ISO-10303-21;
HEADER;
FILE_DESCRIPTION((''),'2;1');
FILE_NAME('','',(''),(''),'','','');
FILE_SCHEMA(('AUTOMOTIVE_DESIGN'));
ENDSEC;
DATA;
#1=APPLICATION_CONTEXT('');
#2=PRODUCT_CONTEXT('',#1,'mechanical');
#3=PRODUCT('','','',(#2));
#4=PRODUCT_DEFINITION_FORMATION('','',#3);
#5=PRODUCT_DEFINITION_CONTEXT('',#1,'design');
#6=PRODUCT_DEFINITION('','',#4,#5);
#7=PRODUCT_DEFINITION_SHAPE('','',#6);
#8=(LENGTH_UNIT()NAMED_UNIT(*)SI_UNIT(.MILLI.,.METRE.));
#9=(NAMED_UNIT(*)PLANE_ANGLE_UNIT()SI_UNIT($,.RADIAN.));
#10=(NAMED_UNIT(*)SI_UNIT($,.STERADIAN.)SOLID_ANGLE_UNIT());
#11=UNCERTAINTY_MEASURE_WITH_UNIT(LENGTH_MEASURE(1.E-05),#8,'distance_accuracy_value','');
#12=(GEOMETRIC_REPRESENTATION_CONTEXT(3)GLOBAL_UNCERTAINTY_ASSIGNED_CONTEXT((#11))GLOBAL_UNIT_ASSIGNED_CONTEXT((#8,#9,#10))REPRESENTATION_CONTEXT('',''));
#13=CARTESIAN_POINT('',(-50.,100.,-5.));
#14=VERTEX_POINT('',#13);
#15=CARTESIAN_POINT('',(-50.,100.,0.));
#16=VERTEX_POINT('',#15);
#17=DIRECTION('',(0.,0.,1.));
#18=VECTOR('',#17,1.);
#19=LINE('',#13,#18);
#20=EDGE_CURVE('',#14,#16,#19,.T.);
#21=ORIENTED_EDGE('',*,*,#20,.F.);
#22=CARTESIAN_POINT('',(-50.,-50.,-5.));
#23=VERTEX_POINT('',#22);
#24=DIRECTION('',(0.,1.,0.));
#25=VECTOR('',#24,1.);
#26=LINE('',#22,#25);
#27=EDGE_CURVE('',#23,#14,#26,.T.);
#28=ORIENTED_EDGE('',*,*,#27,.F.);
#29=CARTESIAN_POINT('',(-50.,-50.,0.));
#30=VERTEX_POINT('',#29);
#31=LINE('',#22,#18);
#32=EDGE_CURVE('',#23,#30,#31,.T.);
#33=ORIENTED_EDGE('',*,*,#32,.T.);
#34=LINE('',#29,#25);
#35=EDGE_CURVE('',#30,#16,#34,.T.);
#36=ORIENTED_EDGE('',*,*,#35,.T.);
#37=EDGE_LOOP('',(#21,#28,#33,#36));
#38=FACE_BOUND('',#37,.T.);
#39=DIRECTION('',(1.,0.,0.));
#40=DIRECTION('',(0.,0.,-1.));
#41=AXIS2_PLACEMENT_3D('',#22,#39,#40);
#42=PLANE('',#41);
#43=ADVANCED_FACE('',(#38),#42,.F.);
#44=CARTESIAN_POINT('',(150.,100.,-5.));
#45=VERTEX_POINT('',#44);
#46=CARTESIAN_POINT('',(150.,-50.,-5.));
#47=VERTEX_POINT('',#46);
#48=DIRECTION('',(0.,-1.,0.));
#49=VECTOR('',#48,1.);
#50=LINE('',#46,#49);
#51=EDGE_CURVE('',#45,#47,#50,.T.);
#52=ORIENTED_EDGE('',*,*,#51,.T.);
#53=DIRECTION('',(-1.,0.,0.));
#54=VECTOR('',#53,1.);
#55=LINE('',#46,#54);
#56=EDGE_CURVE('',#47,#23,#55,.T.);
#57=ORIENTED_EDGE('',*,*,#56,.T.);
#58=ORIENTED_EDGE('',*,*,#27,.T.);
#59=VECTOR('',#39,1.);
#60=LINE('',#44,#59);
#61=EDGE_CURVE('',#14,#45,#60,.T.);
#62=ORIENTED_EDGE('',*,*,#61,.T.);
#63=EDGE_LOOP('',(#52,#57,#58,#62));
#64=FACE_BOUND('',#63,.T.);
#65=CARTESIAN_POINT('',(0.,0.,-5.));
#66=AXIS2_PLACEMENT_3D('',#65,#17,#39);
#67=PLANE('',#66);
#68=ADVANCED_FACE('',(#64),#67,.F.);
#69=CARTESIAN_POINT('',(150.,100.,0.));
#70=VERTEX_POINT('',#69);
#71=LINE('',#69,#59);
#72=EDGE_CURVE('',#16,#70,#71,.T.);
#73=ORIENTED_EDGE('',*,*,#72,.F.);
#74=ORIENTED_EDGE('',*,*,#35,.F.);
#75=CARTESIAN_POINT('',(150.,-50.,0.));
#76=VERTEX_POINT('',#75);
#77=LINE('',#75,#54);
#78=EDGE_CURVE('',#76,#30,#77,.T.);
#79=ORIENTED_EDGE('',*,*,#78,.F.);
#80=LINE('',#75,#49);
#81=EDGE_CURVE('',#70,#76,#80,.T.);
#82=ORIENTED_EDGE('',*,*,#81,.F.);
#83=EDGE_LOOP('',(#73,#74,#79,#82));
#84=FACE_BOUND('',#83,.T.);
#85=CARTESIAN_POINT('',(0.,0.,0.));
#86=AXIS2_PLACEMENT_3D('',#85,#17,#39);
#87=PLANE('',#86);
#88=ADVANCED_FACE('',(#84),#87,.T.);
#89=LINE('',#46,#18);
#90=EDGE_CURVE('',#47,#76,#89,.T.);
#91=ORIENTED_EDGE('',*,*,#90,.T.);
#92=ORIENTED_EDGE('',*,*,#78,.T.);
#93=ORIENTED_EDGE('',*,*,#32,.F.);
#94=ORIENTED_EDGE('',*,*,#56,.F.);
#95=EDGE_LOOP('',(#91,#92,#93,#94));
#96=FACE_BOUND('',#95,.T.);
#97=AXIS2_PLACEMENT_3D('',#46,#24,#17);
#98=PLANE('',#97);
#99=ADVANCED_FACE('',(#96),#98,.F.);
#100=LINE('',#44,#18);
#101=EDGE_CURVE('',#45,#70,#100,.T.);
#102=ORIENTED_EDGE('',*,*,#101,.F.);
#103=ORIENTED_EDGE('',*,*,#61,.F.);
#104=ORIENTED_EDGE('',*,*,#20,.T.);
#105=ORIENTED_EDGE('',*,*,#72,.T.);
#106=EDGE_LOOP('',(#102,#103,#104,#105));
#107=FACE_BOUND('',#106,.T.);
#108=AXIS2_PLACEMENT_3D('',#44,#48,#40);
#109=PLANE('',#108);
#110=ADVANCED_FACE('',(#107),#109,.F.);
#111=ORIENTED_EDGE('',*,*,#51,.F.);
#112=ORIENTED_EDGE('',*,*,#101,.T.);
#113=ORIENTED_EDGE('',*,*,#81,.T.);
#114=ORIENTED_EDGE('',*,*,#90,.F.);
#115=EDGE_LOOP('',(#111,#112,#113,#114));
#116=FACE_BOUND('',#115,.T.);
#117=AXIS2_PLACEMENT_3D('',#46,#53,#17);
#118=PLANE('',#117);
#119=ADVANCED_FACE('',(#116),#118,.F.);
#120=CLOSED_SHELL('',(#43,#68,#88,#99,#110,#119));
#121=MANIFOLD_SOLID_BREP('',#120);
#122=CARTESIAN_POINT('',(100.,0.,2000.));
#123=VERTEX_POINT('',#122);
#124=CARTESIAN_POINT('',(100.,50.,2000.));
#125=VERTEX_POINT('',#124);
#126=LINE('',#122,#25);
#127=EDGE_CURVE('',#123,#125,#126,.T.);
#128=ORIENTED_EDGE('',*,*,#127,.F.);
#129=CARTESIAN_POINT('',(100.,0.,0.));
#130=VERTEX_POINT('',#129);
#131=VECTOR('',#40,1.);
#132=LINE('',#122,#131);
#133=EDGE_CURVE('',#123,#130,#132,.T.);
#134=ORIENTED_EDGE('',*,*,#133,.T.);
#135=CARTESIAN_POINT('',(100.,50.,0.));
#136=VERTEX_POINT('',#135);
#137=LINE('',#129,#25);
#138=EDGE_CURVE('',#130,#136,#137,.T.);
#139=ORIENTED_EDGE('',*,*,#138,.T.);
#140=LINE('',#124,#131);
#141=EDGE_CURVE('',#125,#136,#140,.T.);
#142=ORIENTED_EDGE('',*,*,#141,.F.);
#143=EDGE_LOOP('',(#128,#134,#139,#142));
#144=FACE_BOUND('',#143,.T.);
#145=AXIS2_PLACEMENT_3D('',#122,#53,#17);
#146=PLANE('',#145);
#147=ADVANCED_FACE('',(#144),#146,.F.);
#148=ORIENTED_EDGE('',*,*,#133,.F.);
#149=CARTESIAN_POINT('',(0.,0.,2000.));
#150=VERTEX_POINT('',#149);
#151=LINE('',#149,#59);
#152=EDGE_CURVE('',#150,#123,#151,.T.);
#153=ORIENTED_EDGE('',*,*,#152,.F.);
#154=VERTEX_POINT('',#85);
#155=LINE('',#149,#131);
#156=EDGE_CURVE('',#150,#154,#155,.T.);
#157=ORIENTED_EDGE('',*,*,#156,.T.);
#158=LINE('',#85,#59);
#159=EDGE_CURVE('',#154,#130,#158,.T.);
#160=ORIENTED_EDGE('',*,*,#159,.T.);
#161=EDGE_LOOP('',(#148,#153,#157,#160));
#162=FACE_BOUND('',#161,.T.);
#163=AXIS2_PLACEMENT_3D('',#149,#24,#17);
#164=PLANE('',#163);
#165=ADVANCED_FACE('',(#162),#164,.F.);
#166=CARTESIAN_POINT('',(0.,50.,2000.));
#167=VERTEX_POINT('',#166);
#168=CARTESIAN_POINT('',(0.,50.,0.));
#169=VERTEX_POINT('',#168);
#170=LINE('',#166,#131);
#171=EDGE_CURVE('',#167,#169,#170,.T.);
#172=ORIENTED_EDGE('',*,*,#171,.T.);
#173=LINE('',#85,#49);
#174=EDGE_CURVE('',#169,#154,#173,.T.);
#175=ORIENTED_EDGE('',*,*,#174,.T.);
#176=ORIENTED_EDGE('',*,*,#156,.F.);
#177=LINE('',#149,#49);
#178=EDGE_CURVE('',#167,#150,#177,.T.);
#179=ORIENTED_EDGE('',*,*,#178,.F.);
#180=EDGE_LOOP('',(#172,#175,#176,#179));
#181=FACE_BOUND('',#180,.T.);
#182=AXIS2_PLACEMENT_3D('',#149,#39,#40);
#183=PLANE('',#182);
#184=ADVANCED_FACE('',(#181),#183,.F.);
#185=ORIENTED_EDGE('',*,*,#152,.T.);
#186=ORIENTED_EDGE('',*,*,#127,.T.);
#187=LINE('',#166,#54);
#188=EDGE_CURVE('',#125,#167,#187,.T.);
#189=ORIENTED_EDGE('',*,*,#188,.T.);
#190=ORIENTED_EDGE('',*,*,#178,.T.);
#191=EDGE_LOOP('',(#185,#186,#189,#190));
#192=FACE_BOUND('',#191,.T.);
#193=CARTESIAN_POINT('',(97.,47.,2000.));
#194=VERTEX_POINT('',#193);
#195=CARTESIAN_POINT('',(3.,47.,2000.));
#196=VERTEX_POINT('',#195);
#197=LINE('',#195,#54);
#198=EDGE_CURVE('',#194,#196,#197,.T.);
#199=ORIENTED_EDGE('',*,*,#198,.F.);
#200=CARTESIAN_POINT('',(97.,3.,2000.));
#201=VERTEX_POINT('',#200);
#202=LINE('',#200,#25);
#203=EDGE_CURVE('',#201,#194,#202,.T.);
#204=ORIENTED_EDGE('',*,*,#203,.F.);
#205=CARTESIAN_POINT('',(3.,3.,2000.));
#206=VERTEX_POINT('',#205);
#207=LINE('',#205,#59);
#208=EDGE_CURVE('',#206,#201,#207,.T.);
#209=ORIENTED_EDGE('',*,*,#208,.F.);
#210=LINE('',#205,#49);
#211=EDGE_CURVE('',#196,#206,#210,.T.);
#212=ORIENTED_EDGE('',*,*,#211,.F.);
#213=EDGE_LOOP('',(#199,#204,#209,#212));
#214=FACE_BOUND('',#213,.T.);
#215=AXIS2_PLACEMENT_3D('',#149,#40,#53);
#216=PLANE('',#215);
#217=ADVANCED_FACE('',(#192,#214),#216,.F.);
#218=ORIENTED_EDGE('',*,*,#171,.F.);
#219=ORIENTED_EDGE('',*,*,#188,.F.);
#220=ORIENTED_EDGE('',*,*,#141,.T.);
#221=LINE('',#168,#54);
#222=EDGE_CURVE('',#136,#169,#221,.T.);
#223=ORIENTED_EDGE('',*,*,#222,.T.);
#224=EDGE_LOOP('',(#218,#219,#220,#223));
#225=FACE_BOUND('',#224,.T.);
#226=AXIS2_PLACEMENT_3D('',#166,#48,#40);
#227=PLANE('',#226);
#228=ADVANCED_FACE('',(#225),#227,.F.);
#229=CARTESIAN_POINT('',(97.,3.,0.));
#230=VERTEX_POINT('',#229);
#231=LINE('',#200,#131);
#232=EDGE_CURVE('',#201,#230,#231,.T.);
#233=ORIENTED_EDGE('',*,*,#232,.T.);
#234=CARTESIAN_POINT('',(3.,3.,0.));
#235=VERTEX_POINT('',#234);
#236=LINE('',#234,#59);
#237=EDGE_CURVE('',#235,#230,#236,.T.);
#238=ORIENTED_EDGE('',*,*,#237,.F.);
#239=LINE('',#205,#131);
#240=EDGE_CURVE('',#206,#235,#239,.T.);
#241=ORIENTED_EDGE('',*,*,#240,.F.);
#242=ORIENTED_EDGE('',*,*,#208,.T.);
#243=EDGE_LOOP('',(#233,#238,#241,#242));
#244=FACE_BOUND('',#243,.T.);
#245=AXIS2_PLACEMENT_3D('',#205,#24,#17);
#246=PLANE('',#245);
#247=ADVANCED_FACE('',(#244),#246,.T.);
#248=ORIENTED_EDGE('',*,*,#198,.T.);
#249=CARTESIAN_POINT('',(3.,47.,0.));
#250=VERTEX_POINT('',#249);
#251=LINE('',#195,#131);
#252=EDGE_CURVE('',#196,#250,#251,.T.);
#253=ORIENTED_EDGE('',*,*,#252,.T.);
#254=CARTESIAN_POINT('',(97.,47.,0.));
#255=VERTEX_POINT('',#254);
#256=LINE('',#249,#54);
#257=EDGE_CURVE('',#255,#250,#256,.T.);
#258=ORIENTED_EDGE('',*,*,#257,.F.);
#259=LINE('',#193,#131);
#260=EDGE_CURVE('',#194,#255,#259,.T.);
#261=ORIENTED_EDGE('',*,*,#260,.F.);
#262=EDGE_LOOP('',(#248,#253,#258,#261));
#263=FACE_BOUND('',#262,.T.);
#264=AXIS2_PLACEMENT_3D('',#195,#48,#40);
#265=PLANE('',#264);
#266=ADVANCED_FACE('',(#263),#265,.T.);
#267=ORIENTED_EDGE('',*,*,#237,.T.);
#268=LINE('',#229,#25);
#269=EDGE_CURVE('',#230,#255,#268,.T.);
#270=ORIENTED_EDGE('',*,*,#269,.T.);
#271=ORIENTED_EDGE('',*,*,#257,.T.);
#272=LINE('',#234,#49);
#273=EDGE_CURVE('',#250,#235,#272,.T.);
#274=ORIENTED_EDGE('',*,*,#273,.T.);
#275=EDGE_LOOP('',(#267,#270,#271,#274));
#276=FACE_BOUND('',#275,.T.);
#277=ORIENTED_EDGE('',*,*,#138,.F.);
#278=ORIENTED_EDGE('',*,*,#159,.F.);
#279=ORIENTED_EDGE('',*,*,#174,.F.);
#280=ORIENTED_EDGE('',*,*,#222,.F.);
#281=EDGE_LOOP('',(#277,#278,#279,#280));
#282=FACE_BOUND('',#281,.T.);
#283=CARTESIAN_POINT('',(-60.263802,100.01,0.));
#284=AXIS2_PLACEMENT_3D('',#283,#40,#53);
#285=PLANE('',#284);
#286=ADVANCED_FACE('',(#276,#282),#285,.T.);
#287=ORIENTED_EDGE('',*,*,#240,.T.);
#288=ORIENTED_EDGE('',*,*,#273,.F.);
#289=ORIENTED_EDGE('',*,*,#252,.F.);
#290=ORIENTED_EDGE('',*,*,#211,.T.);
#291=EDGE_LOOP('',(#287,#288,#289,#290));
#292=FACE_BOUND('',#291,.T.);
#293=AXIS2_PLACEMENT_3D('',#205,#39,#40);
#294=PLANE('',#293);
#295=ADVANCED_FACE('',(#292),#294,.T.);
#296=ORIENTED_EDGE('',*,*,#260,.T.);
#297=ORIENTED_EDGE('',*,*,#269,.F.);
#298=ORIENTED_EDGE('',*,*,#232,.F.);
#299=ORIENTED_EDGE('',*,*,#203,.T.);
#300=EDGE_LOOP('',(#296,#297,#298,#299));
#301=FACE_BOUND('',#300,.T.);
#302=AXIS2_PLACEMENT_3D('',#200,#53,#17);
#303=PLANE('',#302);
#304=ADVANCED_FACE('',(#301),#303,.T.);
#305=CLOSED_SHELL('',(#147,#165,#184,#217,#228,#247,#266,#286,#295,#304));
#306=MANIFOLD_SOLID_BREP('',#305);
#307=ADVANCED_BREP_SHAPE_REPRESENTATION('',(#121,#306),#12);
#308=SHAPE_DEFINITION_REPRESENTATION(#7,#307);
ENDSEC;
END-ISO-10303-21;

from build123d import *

# Parameters (mm, degrees)
SKETCH1_W              = 100
SKETCH1_H              = 50
SKETCH1_W_2            = 94
SKETCH1_H_2            = 44
BOSS_EXTRUDE1_DEPTH    = 2000
SKETCH2_W              = 200
SKETCH2_H              = 150
BOSS_EXTRUDE2_DEPTH    = 5
SPLIT2_SURFACE_1_BACK  = 2021.526
SPLIT2_SURFACE_1_DEPTH = 4043.052
SPLIT2_SURFACE_2_BACK  = 2021.526
SPLIT2_SURFACE_2_DEPTH = 4043.052


with BuildPart() as part:
    # Sketch1 → Boss-Extrude1 (new body)
    with BuildSketch(Plane.XY):
        with Locations((50, 25)):
            Rectangle(SKETCH1_W, SKETCH1_H)
        with Locations((50, 25)):
            Rectangle(SKETCH1_W_2, SKETCH1_H_2, mode=Mode.SUBTRACT)
    extrude(amount=BOSS_EXTRUDE1_DEPTH)

    # Sketch2 → Boss-Extrude2 (add)
    with BuildSketch(Plane(origin=(0, 0, 0), x_dir=(-1, 0, 0), z_dir=(0, 0, -1))):
        with Locations((-50, 25)):
            Rectangle(SKETCH2_W, SKETCH2_H)
    extrude(amount=BOSS_EXTRUDE2_DEPTH)


with BuildPart() as body_2:
    # Split2: the piece behind the surface
    add(part.part)
    # Split2 surface: a surface, the sketch's curves swept straight by 4043.052 mm
    with BuildLine(Plane.XZ.offset(-SPLIT2_SURFACE_1_BACK), mode=Mode.PRIVATE) as split2_surface_1_path:
        Line((-60.263801814, 0), (177.114806947, 0))
    split2_surface_1 = Shell.extrude(split2_surface_1_path.wire(), (0 * SPLIT2_SURFACE_1_DEPTH, -1 * SPLIT2_SURFACE_1_DEPTH, 0 * SPLIT2_SURFACE_1_DEPTH))
    split(bisect_by=split2_surface_1, keep=Keep.BOTTOM)


with BuildPart() as part_1:
    add(part.part)

    # Split2: split by a surface, the side it looks to stays
    # Split2 surface: a surface, the sketch's curves swept straight by 4043.052 mm
    with BuildLine(Plane.XZ.offset(-SPLIT2_SURFACE_2_BACK), mode=Mode.PRIVATE) as split2_surface_2_path:
        Line((-60.263801814, 0), (177.114806947, 0))
    split2_surface_2 = Shell.extrude(split2_surface_2_path.wire(), (0 * SPLIT2_SURFACE_2_DEPTH, -1 * SPLIT2_SURFACE_2_DEPTH, 0 * SPLIT2_SURFACE_2_DEPTH))
    split(bisect_by=split2_surface_2, keep=Keep.TOP)


solid = Compound([body_2.part, part_1.part])
